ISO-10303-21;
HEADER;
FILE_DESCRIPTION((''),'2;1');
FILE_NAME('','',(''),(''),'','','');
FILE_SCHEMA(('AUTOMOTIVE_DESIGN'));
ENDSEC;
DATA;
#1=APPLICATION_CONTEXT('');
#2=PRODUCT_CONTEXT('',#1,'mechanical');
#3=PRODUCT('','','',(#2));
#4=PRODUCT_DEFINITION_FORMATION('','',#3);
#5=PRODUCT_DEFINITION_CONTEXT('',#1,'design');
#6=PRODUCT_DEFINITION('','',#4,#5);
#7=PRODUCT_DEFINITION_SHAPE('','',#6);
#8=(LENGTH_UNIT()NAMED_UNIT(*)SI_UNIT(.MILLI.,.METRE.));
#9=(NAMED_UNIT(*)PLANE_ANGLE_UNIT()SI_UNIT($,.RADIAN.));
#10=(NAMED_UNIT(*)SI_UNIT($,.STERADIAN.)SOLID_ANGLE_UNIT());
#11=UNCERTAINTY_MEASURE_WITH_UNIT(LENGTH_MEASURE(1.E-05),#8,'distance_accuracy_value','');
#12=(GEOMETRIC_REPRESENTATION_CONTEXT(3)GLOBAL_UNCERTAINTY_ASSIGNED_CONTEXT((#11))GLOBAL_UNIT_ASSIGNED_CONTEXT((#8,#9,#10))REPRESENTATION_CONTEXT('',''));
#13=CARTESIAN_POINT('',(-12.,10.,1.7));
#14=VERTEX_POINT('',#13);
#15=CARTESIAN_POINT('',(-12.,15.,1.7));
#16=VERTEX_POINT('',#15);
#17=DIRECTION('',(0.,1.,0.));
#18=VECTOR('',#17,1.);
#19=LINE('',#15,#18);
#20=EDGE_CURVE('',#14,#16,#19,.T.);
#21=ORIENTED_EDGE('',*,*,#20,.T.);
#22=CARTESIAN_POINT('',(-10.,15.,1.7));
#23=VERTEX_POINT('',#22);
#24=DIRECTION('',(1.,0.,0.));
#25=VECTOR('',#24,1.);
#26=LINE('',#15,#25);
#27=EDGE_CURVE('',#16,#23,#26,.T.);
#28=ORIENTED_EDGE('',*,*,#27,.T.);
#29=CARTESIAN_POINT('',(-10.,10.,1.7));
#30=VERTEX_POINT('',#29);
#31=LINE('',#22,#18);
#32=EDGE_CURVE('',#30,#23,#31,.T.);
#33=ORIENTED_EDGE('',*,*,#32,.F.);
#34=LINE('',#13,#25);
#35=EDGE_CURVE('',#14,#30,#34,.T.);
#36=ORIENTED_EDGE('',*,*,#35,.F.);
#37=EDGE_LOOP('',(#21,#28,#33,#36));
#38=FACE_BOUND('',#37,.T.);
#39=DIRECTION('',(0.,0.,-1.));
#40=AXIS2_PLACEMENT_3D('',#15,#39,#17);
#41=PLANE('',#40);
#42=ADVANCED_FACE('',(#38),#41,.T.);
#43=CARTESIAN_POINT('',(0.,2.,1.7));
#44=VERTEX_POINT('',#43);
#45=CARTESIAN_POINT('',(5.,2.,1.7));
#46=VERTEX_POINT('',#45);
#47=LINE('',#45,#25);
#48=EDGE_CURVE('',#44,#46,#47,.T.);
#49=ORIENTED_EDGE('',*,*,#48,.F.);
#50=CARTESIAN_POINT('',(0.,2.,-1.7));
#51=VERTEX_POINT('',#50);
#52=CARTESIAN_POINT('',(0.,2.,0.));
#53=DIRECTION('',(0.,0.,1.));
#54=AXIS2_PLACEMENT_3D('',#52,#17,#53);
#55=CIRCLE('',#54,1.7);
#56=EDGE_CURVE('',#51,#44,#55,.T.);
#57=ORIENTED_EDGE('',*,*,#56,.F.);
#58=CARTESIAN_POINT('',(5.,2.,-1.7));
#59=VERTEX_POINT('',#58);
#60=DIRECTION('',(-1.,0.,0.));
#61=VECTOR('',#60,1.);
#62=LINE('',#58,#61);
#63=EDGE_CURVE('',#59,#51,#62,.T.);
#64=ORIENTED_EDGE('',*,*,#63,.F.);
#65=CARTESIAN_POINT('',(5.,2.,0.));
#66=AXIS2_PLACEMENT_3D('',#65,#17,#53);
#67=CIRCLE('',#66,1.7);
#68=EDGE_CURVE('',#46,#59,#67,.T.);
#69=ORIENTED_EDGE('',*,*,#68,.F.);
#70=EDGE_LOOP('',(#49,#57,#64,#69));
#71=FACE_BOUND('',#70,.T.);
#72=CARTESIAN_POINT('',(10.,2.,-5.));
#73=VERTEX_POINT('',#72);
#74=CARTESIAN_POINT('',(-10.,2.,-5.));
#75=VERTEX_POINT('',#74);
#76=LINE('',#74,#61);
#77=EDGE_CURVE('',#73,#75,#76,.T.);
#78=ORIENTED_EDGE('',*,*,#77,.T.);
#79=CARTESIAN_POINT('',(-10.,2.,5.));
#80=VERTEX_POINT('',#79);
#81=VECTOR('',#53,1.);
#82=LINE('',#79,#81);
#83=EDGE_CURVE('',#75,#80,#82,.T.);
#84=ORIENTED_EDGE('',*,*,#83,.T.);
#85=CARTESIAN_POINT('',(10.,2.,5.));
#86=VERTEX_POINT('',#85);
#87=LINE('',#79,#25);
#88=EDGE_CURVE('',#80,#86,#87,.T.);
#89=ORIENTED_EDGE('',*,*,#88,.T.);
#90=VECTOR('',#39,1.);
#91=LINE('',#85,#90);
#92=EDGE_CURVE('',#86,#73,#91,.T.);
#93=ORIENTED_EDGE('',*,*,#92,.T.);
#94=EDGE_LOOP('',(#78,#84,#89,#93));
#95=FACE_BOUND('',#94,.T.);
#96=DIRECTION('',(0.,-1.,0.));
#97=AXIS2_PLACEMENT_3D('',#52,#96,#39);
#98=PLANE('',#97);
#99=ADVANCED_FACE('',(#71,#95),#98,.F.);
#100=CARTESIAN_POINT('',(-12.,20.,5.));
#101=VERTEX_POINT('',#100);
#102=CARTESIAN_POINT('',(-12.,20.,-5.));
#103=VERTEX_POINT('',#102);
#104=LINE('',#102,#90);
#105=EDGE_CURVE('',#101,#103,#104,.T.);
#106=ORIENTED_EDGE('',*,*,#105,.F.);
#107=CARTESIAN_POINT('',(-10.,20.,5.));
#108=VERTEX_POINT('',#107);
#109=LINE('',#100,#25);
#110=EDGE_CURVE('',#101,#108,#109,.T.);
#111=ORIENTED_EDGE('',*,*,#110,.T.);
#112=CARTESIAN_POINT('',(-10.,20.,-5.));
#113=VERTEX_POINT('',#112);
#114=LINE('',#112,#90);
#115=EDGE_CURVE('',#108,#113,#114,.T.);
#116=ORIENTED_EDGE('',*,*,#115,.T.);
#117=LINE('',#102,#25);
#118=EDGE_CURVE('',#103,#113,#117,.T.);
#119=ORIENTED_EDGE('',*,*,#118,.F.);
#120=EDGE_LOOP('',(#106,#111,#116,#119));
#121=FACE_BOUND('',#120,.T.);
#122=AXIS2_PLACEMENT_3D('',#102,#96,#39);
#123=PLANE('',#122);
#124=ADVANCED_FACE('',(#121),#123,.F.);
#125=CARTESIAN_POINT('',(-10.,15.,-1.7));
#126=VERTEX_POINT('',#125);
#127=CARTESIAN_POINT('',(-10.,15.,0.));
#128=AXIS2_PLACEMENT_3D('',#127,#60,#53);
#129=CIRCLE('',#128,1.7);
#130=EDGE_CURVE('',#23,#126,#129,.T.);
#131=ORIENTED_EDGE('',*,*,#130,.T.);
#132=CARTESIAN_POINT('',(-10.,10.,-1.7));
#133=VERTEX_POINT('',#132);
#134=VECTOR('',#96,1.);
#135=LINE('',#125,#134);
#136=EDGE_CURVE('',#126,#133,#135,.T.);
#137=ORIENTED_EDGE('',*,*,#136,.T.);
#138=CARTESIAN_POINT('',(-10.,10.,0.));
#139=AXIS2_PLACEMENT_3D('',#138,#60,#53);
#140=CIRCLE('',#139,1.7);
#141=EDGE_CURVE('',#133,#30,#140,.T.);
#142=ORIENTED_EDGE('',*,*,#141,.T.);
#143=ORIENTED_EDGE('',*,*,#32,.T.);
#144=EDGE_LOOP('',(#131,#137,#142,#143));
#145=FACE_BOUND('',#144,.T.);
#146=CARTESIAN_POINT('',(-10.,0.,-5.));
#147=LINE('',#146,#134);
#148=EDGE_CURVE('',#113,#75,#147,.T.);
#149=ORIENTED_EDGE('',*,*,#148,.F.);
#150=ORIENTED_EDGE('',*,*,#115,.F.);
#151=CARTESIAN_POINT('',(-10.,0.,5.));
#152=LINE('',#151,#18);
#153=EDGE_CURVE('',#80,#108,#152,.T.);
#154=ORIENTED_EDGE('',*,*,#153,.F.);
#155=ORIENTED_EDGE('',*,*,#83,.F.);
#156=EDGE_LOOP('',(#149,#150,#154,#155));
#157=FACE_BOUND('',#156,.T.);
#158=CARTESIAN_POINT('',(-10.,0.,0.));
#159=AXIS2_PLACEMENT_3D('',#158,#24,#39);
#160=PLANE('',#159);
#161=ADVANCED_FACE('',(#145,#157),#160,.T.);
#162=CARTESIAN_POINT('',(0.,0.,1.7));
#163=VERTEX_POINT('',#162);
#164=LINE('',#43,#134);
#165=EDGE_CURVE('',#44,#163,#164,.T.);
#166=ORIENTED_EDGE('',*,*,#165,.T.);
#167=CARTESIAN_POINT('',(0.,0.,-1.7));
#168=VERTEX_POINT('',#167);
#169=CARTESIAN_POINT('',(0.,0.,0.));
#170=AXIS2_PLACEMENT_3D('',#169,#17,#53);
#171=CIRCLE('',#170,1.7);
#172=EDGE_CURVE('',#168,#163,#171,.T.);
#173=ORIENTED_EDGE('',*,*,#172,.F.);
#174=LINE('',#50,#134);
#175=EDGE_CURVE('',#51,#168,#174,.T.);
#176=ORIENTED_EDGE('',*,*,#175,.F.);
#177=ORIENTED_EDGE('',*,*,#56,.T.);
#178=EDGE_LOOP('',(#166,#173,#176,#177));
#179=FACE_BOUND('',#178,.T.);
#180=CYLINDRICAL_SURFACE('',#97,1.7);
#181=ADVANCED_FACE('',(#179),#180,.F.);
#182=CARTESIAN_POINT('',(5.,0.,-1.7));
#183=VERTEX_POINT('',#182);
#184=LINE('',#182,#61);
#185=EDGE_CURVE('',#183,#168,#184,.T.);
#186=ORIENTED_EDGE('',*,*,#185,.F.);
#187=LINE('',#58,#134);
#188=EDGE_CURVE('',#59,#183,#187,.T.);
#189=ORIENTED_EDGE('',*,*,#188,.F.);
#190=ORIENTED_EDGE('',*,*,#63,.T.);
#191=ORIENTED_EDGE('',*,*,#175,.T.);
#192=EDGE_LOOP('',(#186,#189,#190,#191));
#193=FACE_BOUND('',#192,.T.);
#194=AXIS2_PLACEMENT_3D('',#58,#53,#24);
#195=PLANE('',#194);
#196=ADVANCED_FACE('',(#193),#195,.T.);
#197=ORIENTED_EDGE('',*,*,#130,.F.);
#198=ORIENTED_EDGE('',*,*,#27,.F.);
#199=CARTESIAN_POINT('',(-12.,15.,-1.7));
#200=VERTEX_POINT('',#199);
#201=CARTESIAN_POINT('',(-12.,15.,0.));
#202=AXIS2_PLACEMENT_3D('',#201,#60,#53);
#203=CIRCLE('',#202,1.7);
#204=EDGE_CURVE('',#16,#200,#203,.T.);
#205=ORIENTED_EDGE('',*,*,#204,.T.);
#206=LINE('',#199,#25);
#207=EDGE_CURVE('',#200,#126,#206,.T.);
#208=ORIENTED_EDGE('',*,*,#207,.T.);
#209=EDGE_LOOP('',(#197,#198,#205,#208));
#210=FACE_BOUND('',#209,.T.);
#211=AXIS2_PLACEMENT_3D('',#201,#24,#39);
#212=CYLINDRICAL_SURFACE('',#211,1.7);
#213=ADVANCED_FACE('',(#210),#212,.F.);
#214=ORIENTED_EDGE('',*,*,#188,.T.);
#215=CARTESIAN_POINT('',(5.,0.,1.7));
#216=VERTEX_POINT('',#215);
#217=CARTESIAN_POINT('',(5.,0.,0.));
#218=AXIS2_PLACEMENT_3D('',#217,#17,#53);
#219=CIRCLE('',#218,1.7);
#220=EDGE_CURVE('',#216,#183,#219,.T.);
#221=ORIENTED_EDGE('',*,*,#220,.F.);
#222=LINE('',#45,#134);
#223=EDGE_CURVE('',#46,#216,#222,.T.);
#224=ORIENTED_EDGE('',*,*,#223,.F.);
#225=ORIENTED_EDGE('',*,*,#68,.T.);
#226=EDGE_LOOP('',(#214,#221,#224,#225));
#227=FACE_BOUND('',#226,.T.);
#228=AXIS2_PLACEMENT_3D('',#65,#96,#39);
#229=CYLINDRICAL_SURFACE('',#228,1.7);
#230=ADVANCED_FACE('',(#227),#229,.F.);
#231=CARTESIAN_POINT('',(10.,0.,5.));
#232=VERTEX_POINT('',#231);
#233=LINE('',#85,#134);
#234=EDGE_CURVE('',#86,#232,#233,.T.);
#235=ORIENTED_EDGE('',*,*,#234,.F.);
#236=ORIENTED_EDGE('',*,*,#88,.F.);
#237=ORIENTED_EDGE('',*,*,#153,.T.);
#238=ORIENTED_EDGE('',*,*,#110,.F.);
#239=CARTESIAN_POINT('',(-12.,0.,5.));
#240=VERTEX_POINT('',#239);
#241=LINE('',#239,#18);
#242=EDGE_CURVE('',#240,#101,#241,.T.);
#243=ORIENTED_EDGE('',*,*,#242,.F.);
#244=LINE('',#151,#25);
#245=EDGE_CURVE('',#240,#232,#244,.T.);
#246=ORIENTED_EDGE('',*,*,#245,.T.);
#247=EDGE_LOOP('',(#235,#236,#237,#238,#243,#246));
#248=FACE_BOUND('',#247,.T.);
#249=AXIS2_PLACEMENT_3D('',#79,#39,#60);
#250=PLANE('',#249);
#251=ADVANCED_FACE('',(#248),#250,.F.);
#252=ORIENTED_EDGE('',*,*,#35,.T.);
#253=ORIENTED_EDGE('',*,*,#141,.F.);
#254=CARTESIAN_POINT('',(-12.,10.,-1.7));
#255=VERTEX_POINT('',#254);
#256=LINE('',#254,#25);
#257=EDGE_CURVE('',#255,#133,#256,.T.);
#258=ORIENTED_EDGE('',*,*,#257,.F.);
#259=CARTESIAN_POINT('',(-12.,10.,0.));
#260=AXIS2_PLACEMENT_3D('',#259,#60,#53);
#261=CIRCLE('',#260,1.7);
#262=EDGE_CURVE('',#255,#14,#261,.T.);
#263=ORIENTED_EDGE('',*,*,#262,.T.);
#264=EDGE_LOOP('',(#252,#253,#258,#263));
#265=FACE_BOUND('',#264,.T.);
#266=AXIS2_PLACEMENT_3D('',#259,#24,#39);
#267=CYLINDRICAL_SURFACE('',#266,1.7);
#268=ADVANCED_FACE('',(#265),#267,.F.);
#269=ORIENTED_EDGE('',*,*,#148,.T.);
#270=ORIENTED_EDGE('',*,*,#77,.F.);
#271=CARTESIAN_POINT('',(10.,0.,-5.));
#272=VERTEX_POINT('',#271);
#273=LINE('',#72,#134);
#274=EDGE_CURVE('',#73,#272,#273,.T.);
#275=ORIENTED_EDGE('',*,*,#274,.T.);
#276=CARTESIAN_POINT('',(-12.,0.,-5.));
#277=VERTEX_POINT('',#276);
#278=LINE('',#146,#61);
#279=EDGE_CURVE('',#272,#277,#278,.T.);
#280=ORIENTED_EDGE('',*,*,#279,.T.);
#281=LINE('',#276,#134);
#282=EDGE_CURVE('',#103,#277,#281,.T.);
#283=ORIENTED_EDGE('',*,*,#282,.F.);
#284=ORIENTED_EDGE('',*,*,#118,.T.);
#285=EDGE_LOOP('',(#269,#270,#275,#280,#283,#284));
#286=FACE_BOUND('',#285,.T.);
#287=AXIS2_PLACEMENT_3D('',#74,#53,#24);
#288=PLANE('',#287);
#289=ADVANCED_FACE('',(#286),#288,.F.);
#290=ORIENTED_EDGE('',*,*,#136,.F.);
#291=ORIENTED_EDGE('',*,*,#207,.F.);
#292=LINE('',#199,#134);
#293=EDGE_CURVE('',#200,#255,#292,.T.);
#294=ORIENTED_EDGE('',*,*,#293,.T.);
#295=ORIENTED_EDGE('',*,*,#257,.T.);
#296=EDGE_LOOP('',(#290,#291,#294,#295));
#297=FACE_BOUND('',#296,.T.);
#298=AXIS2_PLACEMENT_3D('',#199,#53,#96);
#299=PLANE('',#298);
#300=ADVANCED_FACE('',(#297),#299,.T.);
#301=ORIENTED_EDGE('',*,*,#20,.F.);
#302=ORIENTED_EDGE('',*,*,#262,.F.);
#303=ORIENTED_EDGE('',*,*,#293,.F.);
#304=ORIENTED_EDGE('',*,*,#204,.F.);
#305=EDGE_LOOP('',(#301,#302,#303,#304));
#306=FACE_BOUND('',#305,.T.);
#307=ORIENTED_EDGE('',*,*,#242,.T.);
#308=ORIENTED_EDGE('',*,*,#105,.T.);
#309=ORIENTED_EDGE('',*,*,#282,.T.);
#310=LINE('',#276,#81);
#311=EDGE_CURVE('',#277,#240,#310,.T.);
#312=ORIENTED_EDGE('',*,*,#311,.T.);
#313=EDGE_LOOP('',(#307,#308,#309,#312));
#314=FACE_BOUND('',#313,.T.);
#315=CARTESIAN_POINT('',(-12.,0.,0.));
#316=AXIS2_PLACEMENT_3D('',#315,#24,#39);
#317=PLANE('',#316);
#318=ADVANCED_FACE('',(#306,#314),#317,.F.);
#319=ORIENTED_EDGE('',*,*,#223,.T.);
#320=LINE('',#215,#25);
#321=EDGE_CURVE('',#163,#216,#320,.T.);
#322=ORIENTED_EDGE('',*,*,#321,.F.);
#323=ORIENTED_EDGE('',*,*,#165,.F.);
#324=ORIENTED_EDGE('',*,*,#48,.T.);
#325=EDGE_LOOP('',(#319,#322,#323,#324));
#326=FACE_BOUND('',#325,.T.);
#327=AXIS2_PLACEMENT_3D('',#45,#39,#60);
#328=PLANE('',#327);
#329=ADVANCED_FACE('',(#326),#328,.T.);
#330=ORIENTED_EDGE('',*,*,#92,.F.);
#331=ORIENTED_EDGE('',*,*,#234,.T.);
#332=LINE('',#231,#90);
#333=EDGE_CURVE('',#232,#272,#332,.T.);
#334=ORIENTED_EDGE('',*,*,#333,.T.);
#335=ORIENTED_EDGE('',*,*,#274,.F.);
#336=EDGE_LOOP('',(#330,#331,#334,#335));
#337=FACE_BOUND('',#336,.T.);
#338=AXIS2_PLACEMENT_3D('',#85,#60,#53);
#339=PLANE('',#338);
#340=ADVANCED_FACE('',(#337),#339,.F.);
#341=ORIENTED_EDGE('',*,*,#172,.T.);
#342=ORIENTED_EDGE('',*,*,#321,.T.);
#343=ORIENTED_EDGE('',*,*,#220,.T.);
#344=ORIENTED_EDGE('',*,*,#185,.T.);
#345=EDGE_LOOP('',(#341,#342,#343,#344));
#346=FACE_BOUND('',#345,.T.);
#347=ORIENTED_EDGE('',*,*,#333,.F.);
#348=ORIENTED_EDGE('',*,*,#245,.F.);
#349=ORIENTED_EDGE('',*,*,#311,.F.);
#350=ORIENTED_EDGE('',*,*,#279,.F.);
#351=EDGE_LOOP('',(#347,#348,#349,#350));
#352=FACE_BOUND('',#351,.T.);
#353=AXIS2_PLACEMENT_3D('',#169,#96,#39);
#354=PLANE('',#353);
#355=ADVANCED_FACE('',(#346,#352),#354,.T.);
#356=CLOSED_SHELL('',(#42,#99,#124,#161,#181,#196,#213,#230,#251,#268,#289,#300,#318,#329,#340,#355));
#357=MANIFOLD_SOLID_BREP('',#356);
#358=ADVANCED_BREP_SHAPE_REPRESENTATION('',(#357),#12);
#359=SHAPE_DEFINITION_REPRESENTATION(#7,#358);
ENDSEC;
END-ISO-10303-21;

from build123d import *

# Parameters (mm, degrees)
SKETCH_1_W      = 20
SKETCH_1_H      = 10
EXTRUDE_1_DEPTH = 2
SKETCH_3_W      = 10
SKETCH_3_H      = 20
EXTRUDE_3_DEPTH = 2


with BuildPart() as part:
    # 草图1 → 凸台-拉伸1 (new body)
    with BuildSketch(Plane(origin=(0, 0, 0), x_dir=(1, 0, 0), z_dir=(0, 1, 0))):
        Rectangle(SKETCH_1_W, SKETCH_1_H)
        with BuildLine():
            Line((5, -1.7), (0, -1.7))
            ThreePointArc((0, -1.7), (-1.7, 0), (0, 1.7))
            Line((0, 1.7), (5, 1.7))
            ThreePointArc((5, 1.7), (6.7, 0), (5, -1.7))
        make_face(mode=Mode.SUBTRACT)
    extrude(amount=EXTRUDE_1_DEPTH)

    # 草图3 → 凸台-拉伸3 (add)
    with BuildSketch(Plane.ZY.offset(10)):
        with Locations((0, 10)):
            Rectangle(SKETCH_3_W, SKETCH_3_H)
        with BuildLine():
            Line((1.7, 15), (1.7, 10))
            ThreePointArc((1.7, 10), (0, 8.3), (-1.7, 10))
            Line((-1.7, 10), (-1.7, 15))
            ThreePointArc((-1.7, 15), (0, 16.7), (1.7, 15))
        make_face(mode=Mode.SUBTRACT)
    extrude(amount=EXTRUDE_3_DEPTH)


solid = part.part
